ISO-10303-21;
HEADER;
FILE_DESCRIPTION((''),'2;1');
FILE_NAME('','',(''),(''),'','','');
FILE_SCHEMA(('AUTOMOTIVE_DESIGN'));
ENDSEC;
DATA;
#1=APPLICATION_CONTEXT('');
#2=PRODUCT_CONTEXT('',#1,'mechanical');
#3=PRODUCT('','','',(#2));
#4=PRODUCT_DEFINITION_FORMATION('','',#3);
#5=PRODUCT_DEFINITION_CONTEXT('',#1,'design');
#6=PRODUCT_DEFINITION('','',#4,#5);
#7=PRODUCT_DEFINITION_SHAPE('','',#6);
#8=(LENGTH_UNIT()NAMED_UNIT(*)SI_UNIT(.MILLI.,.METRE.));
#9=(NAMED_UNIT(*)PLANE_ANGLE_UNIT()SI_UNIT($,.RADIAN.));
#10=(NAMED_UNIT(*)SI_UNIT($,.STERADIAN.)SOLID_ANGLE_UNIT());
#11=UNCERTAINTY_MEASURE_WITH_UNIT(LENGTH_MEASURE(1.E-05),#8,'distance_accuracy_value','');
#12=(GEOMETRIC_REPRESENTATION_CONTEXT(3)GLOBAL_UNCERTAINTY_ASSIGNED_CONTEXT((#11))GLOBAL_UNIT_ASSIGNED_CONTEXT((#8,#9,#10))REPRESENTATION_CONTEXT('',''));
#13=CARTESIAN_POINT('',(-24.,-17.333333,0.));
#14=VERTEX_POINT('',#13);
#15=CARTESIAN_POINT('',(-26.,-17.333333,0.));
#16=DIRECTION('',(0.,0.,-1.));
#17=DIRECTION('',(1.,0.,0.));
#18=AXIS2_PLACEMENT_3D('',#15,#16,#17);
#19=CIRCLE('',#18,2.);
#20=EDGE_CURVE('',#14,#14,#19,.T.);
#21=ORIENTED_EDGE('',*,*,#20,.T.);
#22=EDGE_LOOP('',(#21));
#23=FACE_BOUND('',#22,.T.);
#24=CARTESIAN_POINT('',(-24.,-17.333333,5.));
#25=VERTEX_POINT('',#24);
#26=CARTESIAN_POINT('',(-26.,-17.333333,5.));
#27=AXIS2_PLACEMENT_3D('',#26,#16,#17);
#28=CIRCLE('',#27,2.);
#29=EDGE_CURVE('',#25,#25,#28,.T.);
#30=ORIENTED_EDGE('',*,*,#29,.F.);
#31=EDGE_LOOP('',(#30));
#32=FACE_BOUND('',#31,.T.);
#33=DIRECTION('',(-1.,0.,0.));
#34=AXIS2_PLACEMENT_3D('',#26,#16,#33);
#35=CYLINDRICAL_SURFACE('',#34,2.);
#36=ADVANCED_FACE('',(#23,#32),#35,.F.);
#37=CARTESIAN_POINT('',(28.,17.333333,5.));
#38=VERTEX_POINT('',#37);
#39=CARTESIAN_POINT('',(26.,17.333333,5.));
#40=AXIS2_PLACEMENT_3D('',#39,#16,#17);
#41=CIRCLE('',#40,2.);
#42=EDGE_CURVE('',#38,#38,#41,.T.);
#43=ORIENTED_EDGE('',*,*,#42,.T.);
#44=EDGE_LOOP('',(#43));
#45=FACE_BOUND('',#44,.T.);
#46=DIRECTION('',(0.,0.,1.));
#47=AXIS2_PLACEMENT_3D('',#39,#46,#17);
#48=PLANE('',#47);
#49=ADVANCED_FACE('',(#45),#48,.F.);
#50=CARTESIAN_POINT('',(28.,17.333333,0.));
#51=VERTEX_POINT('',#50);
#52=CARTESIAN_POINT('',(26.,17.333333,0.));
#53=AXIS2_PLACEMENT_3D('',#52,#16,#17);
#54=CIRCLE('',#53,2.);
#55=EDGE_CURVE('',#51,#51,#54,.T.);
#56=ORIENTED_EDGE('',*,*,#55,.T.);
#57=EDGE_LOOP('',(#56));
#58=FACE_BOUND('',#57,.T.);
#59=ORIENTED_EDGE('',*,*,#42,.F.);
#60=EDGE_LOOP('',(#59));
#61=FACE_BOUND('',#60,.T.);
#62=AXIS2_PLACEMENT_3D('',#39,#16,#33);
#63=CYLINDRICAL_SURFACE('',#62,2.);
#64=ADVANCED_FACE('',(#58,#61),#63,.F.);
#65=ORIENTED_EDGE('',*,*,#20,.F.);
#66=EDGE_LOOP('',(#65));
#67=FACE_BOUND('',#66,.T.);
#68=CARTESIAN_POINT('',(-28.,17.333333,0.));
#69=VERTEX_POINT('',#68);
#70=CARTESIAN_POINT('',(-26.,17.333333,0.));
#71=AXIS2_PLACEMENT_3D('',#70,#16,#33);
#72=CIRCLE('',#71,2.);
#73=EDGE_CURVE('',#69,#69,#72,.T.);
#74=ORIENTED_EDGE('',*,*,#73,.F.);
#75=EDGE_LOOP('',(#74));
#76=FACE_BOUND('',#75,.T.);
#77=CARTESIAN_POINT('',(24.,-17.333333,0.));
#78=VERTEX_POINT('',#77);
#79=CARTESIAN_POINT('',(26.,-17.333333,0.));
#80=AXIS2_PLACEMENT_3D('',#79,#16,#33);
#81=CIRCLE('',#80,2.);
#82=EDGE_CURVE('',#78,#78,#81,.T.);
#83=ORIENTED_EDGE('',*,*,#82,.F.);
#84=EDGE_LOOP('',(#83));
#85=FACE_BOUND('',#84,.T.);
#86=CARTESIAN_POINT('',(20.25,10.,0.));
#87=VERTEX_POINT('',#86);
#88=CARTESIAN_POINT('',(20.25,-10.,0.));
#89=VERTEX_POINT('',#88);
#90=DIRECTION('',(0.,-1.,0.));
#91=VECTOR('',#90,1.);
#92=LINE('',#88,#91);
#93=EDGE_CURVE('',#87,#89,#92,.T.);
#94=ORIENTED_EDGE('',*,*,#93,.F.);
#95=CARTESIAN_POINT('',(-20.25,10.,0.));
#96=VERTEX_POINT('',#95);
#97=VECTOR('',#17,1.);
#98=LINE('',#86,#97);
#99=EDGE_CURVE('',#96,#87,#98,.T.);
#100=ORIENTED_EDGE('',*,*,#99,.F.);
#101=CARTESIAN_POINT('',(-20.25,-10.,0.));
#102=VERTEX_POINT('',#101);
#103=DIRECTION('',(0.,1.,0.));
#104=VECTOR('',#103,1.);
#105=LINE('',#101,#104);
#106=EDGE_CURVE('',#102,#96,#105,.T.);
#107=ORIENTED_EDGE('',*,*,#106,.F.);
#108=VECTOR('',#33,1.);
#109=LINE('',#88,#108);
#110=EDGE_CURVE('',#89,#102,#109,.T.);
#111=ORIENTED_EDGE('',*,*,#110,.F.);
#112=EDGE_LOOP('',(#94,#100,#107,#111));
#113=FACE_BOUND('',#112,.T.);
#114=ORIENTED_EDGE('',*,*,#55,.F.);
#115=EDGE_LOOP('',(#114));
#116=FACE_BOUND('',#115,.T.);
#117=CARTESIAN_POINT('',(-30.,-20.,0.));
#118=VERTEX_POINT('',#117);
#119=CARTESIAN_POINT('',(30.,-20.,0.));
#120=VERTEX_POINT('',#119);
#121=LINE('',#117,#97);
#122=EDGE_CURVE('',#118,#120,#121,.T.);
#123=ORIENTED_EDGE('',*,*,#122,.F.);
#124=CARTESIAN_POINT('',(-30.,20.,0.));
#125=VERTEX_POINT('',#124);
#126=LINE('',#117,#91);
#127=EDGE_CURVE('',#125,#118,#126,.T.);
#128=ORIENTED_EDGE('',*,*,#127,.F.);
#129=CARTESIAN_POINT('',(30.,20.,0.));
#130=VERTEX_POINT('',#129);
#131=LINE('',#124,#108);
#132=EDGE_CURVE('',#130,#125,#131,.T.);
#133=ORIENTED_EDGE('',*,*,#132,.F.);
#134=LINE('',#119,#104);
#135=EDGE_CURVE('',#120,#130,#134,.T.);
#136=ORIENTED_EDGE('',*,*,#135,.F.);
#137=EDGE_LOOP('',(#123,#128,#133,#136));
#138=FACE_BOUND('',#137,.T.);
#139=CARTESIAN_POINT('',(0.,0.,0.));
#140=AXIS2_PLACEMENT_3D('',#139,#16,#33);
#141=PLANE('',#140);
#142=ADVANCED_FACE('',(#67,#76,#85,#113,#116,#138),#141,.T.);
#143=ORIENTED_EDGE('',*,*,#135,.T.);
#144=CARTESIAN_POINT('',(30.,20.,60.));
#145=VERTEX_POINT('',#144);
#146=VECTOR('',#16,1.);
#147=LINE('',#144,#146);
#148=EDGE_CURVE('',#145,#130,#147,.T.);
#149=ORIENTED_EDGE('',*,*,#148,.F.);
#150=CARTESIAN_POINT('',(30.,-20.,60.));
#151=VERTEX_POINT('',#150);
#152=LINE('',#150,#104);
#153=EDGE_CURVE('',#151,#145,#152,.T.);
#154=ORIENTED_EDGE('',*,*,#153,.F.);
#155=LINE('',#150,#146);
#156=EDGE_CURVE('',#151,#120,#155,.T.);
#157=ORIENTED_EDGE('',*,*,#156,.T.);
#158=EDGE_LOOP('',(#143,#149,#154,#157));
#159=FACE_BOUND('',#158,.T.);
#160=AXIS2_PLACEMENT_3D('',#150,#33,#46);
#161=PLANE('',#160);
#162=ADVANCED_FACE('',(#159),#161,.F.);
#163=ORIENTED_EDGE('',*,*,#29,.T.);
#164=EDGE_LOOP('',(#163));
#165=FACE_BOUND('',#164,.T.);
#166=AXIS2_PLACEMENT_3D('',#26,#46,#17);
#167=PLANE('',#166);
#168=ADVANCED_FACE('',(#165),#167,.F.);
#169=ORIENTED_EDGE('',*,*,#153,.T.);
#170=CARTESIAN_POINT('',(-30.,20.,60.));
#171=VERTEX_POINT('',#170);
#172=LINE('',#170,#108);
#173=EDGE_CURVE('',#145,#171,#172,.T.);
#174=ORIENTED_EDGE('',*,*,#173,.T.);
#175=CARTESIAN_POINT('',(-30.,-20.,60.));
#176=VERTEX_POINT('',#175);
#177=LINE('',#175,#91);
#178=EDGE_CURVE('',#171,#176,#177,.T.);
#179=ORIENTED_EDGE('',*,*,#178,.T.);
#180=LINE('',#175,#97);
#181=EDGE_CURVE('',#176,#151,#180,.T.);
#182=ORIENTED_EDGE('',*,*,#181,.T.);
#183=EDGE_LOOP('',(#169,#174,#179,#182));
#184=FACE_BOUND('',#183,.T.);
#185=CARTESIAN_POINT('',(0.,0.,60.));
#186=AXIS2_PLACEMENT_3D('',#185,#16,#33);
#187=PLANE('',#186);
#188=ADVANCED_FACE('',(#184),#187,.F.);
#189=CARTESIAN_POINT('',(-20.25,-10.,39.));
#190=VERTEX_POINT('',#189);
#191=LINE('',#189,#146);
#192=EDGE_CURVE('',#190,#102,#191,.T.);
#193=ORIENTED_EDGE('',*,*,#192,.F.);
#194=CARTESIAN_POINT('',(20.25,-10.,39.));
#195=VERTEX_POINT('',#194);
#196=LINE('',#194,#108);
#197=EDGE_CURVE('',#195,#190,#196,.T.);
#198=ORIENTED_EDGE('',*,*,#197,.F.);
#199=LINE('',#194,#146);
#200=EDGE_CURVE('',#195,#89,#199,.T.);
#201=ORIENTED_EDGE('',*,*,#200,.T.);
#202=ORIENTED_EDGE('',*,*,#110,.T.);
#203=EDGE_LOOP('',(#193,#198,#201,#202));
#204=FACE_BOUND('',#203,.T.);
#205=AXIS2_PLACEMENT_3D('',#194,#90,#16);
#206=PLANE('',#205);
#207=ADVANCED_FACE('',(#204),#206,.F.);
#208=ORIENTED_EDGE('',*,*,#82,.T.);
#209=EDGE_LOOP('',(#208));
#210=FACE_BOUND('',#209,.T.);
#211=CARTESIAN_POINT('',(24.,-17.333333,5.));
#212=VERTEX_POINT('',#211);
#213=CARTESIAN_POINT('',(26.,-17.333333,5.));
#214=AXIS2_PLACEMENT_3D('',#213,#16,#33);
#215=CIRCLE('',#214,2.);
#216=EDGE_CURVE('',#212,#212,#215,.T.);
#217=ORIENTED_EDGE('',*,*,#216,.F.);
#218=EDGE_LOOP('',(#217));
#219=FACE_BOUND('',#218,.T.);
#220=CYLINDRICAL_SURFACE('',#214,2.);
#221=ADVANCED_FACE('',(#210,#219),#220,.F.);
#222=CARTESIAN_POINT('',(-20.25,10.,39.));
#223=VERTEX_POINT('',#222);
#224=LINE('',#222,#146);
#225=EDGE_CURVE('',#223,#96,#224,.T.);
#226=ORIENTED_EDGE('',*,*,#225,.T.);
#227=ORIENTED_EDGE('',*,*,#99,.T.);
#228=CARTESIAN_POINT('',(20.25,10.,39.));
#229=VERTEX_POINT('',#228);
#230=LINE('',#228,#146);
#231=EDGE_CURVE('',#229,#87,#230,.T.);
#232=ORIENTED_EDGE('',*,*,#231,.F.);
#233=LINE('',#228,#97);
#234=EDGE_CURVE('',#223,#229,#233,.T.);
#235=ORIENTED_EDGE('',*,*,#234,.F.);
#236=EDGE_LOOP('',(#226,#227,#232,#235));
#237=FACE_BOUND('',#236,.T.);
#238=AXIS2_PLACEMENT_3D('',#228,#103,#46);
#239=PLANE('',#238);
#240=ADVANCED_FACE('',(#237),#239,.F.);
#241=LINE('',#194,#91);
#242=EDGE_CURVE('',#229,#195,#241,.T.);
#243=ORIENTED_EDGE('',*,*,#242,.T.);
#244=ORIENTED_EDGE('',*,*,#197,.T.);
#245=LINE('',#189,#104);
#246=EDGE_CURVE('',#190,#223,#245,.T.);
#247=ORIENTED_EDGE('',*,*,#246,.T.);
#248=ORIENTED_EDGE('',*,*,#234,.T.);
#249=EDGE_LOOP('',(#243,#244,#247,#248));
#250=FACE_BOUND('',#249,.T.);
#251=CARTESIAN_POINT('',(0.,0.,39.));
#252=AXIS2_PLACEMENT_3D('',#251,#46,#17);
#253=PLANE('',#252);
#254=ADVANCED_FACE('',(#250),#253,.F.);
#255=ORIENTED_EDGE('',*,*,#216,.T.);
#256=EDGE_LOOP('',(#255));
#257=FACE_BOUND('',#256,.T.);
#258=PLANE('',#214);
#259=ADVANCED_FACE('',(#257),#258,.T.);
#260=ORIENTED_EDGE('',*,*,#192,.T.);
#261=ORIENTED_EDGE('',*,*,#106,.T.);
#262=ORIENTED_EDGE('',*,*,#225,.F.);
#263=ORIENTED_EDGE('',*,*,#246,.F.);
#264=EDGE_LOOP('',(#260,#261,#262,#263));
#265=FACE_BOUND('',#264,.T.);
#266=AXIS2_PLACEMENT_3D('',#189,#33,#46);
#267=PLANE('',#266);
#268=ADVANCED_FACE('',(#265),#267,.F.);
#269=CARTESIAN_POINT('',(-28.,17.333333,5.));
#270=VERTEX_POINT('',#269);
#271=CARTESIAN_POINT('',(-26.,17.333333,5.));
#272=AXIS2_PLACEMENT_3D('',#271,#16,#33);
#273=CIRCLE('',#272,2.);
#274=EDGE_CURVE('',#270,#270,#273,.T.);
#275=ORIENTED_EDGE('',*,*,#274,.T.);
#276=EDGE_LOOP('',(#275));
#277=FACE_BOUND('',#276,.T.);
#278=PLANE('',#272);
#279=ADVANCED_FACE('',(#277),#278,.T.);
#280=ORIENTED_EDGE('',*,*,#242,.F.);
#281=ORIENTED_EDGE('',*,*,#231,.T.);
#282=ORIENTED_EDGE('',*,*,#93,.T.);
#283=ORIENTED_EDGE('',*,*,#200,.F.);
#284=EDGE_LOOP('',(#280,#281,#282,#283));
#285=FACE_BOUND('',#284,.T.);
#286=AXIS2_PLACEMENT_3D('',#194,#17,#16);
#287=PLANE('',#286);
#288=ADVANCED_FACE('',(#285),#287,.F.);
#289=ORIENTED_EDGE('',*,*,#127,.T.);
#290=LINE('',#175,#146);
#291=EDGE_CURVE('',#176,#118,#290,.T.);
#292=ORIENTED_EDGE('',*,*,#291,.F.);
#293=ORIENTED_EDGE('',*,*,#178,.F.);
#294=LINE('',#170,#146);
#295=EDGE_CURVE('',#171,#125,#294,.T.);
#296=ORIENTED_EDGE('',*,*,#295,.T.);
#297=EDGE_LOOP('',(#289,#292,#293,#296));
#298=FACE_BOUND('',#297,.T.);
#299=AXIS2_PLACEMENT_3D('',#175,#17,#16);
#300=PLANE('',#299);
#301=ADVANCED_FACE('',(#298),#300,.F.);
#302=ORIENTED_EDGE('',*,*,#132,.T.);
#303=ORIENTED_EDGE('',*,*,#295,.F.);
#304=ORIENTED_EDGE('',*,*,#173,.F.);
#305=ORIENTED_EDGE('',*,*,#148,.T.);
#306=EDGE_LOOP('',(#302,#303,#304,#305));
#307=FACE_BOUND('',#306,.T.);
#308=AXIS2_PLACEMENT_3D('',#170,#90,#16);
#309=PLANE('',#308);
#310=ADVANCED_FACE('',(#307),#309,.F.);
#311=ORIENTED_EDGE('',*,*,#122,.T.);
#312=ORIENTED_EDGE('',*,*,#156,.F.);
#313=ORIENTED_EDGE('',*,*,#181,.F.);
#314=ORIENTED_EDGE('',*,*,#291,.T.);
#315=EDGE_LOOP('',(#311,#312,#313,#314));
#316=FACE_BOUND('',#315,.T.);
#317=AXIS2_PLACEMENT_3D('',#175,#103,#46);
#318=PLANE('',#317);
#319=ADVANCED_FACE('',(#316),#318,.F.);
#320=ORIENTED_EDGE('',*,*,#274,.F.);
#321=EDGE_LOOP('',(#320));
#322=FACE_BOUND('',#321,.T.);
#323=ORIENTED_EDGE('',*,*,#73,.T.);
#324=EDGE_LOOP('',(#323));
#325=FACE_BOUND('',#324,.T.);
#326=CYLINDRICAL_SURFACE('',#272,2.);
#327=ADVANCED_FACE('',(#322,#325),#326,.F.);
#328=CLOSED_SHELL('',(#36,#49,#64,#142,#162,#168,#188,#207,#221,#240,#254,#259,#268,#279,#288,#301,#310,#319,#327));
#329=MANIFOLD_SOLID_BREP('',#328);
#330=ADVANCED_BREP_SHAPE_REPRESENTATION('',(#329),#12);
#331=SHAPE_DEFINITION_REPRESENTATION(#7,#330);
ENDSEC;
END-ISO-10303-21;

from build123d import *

# Parameters (mm, degrees)
SKETCH1_W           = 60
SKETCH1_H           = 40
BOSS_EXTRUDE1_DEPTH = 60
SKETCH2_W           = 40.5
SKETCH2_H           = 20
CUT_EXTRUDE1_DEPTH  = 39
SKETCH3_R           = 2
CUT_EXTRUDE2_DEPTH  = 5


with BuildPart() as part:
    # Sketch1 → Boss-Extrude1 (new body)
    with BuildSketch(Plane.XY):
        Rectangle(SKETCH1_W, SKETCH1_H)
    extrude(amount=BOSS_EXTRUDE1_DEPTH)

    # Sketch2 → Cut-Extrude1 (cut)
    with BuildSketch(Plane(origin=(0, 0, 0), x_dir=(-1, 0, 0), z_dir=(0, 0, -1))):
        Rectangle(SKETCH2_W, SKETCH2_H)
    extrude(amount=-CUT_EXTRUDE1_DEPTH, mode=Mode.SUBTRACT)

    # Sketch3 → Cut-Extrude2 (cut)
    with BuildSketch(Plane(origin=(0, 0, 0), x_dir=(-1, 0, 0), z_dir=(0, 0, -1))):
        with Locations((26, 17.333333333)):
            Circle(SKETCH3_R)
        with Locations(Location((-26, 17.333333333, 0), (0, 0, 180))):
            Circle(SKETCH3_R)
        with Locations(Location((26, -17.333333333, 0), (0, 0, 180))):
            Circle(SKETCH3_R)
        with Locations((-26, -17.333333333)):
            Circle(SKETCH3_R)
    extrude(amount=-CUT_EXTRUDE2_DEPTH, mode=Mode.SUBTRACT)


solid = part.part
